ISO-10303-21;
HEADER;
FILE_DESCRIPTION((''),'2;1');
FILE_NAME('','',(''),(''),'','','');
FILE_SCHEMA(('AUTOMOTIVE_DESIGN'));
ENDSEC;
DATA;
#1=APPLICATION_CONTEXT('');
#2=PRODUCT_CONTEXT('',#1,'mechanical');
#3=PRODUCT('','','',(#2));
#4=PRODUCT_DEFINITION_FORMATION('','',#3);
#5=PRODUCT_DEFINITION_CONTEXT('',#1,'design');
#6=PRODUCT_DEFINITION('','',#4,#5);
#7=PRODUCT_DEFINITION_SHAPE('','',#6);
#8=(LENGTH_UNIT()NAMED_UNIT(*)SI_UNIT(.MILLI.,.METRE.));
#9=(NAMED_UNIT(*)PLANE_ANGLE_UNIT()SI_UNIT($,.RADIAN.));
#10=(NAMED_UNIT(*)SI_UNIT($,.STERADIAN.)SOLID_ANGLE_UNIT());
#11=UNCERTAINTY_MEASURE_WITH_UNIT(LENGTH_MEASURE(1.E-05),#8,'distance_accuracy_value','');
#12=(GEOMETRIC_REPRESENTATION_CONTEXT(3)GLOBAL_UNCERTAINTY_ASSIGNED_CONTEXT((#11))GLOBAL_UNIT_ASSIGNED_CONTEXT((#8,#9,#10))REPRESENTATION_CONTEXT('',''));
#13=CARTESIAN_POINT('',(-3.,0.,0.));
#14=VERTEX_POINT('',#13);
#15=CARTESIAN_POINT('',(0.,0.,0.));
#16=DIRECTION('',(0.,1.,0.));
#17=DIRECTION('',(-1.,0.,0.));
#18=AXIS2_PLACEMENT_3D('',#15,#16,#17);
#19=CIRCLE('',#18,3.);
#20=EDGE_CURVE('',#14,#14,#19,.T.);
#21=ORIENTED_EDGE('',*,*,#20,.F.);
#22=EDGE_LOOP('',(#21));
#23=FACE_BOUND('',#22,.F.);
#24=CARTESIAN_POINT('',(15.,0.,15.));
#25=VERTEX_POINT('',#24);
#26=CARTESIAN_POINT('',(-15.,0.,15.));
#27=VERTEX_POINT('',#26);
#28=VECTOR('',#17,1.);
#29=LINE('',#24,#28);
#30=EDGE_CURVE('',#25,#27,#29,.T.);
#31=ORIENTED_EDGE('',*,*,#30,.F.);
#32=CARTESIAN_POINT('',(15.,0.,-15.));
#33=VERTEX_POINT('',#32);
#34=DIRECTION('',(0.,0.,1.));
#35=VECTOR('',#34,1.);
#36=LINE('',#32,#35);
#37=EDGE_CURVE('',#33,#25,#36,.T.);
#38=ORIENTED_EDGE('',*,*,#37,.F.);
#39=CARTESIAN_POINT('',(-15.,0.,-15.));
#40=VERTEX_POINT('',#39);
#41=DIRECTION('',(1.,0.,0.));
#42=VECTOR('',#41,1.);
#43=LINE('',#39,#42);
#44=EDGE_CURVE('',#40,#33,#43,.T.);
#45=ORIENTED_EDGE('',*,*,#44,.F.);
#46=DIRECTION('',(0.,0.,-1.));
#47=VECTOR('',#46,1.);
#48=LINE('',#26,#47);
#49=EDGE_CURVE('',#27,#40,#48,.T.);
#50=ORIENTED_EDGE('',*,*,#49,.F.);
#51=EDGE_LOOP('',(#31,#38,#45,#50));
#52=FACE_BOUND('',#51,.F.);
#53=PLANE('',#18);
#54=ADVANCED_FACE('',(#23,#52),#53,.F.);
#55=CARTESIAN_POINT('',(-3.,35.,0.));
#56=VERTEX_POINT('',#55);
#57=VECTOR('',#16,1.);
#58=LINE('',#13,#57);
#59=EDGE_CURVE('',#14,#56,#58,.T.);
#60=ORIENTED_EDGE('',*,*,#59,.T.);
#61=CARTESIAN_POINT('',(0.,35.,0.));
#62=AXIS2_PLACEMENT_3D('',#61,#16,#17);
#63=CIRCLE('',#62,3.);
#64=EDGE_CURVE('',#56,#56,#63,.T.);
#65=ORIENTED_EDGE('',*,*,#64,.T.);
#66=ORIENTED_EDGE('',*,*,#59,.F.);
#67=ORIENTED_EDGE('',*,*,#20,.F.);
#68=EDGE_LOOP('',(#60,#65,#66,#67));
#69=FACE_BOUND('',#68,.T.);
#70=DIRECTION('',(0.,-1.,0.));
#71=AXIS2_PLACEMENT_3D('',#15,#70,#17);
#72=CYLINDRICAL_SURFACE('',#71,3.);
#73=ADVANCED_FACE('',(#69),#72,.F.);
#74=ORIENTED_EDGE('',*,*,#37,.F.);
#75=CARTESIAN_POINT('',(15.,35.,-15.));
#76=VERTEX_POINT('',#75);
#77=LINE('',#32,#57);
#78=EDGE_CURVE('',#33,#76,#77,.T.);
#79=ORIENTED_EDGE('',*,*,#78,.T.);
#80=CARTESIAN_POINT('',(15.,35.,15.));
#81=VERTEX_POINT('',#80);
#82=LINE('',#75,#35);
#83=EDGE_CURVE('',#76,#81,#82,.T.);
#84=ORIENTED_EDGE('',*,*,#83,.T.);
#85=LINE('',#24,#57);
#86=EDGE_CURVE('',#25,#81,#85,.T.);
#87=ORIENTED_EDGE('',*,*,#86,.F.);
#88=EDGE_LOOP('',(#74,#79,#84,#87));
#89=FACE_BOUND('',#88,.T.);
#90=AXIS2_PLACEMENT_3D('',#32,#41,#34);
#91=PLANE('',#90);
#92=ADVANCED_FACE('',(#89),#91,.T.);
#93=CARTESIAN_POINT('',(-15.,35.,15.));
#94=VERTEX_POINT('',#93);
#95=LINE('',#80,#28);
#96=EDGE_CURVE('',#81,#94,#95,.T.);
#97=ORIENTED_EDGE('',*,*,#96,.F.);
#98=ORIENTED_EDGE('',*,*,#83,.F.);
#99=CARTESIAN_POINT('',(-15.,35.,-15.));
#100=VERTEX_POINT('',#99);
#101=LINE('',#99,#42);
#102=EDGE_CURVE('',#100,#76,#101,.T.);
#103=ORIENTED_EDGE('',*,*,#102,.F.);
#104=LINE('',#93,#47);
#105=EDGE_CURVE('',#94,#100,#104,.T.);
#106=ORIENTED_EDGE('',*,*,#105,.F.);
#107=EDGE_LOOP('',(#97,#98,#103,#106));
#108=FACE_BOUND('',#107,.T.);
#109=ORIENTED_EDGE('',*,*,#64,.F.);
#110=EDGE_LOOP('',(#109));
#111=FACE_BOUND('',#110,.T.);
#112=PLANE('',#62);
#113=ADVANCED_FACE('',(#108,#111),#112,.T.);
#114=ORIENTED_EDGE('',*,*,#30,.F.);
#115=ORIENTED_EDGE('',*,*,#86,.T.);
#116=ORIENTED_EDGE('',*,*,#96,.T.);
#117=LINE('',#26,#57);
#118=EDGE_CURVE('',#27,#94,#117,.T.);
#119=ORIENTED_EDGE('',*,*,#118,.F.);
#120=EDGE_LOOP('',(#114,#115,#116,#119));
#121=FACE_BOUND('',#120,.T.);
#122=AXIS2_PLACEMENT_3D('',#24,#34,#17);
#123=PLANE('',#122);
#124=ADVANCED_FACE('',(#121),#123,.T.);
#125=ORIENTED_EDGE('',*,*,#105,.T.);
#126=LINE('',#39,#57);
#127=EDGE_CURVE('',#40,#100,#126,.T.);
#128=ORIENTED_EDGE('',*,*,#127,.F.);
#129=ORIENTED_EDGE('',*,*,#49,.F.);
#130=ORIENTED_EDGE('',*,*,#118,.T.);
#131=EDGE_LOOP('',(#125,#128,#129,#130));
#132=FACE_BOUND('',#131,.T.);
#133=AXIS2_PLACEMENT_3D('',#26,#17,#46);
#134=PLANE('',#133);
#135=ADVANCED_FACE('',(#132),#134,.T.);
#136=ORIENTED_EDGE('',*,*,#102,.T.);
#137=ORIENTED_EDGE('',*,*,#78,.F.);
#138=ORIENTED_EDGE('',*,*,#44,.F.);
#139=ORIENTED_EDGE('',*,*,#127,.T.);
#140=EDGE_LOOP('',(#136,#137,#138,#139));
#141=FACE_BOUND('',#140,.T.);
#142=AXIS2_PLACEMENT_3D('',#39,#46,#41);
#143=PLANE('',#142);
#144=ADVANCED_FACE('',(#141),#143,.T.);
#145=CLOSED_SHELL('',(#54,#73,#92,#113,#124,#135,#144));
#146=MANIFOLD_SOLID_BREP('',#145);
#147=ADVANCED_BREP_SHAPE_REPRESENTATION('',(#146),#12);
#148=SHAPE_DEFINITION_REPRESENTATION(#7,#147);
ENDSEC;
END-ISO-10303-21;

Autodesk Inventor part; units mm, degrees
ref_plane "YZ Plane" through (0, 0, 0) normal (1, 0, 0) x (0, 1, 0)
ref_plane "XZ Plane" through (0, 0, 0) normal (0, 1, 0) x (-1, 0, 0)
ref_plane "XY Plane" through (0, 0, 0) normal (0, 0, 1) x (1, 0, 0)
sketch "Sketch1" plane through (0, 0, 0) normal (0, 1, 0) x (-1, 0, 0)
  line L0 (-15, 15) -> (15, 15)
  line L1 (15, 15) -> (15, -15)
  line L2 (15, -15) -> (-15, -15)
  line L3 (-15, -15) -> (-15, 15)
  line L4 (-15, 15) -> (15, -15) construction
  line L5 (15, 15) -> (-15, -15) construction
  circle A0 centre (0, 0) radius 3
  dimension "d0" = 30
  dimension "d1" = 30
  dimension "d2" = 6
extrude "Extrusion1" add sketch "Sketch1" along normal blind 35
